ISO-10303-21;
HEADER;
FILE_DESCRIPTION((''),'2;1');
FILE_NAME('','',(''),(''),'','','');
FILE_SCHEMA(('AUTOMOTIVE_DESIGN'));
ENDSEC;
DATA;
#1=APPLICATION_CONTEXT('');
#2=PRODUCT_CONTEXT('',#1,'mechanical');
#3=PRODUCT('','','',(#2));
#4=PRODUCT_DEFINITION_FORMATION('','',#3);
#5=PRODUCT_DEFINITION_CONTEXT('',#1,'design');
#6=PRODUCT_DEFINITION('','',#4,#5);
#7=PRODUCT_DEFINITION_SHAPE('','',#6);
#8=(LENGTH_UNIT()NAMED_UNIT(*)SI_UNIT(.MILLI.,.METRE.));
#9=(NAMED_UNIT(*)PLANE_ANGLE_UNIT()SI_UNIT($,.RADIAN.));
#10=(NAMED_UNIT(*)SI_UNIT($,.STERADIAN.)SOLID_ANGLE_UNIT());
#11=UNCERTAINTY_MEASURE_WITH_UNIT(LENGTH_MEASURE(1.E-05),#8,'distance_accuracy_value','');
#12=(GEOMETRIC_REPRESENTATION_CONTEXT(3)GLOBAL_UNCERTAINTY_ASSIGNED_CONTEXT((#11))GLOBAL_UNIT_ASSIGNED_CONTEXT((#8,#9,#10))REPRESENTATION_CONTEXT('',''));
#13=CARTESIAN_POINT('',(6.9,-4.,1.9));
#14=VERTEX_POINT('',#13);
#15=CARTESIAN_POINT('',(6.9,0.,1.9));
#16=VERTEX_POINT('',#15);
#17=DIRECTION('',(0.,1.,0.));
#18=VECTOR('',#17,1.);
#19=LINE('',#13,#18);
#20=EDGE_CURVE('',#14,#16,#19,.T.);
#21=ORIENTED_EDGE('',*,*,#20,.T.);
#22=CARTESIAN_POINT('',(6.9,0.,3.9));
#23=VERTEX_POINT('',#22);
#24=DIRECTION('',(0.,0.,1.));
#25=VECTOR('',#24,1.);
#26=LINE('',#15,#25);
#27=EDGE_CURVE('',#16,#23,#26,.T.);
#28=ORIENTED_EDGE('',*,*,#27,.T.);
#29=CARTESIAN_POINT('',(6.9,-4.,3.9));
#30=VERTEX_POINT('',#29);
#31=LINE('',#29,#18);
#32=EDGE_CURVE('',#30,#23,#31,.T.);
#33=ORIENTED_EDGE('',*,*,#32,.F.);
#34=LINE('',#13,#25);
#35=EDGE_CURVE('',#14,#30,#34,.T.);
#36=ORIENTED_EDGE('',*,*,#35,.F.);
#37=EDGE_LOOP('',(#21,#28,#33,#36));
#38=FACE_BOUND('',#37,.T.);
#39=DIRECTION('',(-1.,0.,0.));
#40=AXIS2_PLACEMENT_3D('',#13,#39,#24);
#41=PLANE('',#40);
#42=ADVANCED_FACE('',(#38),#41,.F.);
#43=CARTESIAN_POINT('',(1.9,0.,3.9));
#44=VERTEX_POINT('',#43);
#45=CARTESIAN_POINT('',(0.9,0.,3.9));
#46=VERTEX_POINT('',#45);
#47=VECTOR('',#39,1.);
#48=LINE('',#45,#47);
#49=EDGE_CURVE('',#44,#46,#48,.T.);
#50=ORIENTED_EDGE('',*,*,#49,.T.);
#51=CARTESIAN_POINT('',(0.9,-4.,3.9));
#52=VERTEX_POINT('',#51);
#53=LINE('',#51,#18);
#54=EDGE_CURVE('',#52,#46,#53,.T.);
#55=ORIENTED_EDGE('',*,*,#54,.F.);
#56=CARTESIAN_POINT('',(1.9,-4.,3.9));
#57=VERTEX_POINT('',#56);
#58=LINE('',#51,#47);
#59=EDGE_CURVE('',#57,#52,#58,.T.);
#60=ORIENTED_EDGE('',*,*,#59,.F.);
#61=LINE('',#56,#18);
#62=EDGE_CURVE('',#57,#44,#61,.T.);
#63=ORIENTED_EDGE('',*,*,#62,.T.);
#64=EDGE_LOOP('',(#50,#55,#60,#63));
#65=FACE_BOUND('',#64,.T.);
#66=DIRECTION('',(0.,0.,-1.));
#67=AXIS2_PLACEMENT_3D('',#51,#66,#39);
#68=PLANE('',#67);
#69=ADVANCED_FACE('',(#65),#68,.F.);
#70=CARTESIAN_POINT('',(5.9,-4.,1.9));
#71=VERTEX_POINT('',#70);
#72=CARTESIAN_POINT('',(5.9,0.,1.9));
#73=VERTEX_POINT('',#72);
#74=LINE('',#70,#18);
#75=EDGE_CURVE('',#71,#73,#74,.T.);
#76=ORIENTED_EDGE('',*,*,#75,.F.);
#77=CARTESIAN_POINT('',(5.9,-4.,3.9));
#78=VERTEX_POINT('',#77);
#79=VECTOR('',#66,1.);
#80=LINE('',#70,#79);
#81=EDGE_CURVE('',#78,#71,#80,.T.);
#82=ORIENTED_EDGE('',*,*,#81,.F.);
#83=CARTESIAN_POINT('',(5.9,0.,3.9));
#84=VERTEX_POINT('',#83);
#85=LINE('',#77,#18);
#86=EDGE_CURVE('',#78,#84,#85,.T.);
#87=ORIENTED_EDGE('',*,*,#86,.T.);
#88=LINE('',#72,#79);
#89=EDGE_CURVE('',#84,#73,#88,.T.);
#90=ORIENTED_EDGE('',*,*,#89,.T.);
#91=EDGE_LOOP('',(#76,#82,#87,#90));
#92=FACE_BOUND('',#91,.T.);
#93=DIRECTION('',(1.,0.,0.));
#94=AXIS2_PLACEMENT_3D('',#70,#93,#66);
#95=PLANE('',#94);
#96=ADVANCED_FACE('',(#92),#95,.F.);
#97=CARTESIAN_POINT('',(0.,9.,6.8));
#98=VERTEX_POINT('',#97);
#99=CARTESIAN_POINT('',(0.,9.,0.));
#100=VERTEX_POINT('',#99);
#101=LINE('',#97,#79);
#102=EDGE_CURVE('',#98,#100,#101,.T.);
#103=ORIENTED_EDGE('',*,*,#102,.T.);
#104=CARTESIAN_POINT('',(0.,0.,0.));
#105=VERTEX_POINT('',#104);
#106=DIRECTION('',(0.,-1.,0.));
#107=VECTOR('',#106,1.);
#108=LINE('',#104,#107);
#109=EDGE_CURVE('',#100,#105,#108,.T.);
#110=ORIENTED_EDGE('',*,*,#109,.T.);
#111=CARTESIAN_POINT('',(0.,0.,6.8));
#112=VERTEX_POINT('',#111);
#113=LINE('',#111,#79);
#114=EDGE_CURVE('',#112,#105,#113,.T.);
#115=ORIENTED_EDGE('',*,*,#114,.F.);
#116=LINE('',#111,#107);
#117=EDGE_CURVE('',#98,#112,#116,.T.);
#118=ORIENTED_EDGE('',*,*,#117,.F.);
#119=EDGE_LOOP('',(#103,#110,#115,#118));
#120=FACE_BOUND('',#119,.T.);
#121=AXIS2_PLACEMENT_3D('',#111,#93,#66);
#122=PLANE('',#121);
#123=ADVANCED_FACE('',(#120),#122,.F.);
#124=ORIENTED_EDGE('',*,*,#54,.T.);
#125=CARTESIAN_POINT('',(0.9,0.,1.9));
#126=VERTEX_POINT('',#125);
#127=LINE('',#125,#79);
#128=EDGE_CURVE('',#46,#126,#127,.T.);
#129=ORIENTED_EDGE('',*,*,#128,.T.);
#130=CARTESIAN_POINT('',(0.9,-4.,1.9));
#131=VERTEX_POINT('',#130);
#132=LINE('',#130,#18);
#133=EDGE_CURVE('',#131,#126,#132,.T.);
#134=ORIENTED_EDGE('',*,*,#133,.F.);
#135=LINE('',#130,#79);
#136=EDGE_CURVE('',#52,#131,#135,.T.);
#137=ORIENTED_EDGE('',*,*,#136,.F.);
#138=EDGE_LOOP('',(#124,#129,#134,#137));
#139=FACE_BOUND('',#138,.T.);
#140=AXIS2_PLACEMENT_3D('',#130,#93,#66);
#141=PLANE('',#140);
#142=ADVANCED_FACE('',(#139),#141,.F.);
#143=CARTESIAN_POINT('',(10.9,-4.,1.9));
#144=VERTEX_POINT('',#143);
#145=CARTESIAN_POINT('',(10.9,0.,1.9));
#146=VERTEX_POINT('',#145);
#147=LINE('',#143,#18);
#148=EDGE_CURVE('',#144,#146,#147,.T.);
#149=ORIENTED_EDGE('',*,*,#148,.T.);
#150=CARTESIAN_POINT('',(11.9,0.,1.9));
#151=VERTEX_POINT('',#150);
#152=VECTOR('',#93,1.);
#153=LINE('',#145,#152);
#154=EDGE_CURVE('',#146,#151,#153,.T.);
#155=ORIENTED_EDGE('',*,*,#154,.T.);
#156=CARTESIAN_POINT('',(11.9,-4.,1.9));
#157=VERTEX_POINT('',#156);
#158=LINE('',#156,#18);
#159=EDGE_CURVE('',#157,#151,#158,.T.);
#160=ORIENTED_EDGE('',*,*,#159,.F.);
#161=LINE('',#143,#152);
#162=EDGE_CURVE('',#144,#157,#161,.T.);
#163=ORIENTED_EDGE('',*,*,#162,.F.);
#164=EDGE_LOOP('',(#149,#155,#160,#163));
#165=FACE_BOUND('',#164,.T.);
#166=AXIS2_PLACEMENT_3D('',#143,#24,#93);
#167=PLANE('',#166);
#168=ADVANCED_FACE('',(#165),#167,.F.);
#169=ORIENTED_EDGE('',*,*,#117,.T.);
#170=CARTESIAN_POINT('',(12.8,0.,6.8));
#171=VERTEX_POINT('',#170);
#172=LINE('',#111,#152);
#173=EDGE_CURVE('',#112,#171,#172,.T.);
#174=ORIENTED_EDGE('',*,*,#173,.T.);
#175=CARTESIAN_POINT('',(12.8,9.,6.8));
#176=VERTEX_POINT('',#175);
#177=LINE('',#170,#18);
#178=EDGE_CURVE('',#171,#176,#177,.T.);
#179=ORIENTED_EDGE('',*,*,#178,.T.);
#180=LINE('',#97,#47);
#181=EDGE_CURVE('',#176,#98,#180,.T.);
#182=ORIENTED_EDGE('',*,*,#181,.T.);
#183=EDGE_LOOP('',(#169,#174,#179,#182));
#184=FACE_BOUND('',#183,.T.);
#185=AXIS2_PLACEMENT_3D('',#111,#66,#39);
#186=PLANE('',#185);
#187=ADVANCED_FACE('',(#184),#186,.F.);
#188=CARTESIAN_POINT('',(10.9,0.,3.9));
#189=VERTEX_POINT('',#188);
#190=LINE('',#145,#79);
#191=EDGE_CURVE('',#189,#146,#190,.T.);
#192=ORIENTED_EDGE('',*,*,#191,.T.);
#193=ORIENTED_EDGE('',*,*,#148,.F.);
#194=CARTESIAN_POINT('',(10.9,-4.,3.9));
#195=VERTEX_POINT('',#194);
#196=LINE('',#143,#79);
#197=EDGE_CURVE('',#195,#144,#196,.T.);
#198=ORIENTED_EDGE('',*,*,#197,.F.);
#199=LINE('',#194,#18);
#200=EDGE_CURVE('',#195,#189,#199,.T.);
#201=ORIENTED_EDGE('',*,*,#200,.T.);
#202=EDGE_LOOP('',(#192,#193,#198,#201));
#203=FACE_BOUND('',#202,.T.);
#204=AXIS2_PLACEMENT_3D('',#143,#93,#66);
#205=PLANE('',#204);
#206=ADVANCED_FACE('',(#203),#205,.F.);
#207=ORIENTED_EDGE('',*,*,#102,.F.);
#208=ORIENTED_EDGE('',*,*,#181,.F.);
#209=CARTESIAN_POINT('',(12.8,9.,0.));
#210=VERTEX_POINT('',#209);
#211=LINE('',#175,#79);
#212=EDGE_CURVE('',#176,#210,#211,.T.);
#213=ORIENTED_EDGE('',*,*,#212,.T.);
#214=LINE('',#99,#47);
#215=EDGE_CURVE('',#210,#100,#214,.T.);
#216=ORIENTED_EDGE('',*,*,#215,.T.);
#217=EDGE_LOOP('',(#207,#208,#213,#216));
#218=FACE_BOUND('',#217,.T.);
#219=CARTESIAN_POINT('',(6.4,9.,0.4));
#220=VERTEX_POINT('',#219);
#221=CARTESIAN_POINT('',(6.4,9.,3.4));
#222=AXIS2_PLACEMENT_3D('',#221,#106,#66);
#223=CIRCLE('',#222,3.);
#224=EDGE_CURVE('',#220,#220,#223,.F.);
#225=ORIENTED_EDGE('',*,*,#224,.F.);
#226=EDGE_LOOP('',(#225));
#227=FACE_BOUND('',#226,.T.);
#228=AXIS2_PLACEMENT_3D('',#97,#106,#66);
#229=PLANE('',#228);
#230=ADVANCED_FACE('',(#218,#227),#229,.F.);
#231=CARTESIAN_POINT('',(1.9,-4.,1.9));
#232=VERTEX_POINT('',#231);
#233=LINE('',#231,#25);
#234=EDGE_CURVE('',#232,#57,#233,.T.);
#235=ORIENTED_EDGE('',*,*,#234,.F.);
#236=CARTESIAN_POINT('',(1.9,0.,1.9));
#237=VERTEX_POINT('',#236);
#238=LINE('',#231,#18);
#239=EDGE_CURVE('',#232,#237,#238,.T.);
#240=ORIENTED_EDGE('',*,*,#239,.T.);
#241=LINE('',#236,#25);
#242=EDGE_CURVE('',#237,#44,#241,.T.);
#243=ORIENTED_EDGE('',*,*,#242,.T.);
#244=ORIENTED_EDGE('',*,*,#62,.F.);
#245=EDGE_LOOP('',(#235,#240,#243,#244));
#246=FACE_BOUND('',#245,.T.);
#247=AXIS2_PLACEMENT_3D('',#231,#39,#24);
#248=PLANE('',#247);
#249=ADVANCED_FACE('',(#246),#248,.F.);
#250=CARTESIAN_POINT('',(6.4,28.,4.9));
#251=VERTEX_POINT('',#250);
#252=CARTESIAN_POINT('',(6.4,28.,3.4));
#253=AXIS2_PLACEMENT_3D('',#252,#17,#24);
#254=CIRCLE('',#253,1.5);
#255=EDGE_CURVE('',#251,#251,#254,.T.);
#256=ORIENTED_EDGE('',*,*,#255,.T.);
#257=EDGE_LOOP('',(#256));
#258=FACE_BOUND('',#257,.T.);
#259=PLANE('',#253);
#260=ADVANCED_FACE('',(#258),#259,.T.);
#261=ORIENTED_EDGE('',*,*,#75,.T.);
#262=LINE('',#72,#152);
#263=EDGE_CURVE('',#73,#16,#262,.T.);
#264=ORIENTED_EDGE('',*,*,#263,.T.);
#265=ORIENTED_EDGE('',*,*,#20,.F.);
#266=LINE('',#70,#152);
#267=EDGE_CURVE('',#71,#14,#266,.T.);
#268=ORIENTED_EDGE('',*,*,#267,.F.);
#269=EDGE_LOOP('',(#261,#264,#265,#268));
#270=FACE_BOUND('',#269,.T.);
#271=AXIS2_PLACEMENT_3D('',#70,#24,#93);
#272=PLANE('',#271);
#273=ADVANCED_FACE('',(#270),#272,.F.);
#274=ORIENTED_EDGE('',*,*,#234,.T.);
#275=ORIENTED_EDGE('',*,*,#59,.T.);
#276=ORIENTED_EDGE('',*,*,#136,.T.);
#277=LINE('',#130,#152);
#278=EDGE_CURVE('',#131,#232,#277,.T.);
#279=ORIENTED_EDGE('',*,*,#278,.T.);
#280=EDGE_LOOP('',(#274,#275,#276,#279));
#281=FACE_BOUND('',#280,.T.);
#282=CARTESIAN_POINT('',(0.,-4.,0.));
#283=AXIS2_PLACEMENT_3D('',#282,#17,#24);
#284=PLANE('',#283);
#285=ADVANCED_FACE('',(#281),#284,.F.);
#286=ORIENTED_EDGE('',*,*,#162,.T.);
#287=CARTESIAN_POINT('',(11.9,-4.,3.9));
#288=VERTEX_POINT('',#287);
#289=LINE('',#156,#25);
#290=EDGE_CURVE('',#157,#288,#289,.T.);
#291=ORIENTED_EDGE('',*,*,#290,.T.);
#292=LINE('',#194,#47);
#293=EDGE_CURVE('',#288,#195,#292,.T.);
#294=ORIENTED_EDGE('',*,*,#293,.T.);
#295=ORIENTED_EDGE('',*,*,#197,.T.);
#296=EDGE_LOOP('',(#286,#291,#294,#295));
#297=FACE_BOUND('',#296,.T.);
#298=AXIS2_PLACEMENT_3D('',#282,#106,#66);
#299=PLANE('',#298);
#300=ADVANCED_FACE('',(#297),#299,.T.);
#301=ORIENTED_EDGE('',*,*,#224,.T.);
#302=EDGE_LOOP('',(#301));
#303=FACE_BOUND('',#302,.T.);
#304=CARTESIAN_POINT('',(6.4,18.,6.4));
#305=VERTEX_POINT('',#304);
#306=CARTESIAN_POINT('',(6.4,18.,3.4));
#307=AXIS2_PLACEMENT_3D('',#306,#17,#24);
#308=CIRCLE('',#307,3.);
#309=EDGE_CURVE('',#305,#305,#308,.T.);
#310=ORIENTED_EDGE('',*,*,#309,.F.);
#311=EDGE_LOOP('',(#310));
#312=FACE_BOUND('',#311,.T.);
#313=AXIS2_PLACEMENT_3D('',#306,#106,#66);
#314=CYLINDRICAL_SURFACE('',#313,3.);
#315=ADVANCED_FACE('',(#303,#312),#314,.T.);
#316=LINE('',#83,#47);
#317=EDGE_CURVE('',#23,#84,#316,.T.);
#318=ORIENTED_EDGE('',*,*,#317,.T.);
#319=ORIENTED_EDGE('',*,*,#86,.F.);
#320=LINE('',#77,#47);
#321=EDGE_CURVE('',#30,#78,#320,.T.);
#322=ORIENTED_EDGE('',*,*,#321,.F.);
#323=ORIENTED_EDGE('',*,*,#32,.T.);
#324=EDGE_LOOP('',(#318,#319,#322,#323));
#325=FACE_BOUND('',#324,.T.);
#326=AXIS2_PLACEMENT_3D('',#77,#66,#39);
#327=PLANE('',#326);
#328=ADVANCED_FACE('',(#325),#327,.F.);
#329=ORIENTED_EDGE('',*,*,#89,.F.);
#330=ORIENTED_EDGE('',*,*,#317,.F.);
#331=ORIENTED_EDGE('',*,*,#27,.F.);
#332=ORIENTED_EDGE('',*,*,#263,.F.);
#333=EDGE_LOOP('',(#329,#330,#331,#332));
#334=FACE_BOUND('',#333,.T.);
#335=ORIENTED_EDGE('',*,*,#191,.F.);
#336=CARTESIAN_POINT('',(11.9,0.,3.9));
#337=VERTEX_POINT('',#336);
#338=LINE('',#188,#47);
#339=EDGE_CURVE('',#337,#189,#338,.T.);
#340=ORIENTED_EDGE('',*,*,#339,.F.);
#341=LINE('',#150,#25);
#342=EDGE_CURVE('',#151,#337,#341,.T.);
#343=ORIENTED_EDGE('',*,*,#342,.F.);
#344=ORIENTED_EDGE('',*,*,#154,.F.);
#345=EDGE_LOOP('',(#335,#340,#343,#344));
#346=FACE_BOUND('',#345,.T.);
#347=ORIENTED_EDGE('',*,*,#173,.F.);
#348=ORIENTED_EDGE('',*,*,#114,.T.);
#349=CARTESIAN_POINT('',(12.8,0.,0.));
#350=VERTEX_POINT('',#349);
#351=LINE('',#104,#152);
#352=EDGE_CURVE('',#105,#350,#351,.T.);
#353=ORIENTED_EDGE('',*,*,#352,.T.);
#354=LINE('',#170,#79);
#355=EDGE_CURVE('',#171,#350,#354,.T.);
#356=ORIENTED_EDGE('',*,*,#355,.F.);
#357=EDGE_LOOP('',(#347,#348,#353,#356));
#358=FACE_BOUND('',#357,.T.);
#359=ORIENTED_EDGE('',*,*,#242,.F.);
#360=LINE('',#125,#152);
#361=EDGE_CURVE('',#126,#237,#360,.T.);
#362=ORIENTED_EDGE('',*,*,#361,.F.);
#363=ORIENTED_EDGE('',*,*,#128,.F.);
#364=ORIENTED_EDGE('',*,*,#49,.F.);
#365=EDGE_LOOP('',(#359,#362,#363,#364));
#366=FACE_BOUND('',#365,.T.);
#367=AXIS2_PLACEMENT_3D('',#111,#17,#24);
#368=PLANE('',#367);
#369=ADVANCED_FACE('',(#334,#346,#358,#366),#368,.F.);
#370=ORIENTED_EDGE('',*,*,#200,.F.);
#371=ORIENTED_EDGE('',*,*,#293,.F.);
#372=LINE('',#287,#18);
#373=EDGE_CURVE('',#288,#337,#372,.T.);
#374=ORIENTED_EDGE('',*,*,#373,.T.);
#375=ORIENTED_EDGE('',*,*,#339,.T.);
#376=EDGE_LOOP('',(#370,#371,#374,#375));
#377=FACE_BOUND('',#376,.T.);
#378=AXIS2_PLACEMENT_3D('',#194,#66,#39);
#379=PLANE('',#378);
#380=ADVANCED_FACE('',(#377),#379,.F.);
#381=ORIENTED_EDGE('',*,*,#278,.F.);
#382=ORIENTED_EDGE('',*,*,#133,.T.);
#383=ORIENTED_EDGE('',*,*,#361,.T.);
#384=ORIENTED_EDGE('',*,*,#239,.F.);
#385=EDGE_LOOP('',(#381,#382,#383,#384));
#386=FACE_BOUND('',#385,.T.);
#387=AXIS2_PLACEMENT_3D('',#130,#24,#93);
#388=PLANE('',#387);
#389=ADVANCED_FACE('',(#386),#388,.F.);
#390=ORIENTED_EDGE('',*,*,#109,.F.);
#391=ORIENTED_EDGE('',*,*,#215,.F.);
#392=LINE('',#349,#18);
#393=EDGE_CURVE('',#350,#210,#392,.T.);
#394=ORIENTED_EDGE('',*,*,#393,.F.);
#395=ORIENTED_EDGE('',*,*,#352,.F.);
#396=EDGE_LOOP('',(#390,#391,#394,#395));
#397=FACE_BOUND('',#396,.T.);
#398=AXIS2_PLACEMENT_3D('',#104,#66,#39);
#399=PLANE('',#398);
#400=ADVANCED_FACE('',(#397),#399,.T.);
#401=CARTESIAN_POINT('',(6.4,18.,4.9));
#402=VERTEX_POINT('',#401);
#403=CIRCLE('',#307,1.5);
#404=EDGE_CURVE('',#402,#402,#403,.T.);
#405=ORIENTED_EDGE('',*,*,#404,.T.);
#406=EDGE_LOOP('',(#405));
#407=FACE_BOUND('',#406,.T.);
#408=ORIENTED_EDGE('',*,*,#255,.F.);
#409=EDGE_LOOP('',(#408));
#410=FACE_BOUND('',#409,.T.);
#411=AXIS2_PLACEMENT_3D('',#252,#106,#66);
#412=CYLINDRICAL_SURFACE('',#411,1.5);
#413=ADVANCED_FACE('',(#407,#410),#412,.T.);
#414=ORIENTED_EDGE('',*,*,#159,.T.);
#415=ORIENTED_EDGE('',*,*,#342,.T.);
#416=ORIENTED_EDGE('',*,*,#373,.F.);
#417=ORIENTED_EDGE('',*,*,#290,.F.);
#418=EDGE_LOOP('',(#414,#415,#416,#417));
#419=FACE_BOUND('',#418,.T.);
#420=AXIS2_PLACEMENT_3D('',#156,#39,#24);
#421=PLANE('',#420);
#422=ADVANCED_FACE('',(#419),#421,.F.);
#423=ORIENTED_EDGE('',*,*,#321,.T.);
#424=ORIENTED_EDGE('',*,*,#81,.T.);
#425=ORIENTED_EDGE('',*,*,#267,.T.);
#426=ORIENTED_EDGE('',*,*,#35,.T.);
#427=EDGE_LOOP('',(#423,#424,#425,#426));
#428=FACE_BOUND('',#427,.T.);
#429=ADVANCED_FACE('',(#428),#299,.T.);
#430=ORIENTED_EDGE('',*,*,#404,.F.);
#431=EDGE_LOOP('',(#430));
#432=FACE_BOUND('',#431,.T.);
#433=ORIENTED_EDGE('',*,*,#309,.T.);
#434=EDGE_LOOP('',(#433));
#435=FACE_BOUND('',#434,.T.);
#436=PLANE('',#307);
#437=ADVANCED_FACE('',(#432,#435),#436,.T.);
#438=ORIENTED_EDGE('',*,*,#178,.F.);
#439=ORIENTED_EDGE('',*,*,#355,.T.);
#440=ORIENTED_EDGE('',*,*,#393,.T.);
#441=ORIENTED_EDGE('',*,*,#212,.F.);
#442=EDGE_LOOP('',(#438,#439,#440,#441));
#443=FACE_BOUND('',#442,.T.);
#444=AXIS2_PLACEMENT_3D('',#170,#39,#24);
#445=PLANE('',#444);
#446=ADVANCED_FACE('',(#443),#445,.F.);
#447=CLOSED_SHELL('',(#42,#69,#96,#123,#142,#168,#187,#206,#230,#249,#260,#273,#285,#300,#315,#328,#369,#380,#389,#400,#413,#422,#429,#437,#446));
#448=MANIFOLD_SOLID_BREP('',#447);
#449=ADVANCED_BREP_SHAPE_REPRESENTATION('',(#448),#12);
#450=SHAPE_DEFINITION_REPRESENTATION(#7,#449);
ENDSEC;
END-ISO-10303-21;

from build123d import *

# Parameters (mm, degrees)
ESQUISSE1_W        = 12.8
ESQUISSE1_H        = 9
BOSS_EXTRU_1_DEPTH = 6.8
ESQUISSE2_W        = 1
ESQUISSE2_H        = 2
BOSS_EXTRU_2_DEPTH = 4
ESQUISSE3_R        = 3
BOSS_EXTRU_3_DEPTH = 9
ESQUISSE4_R        = 1.5
BOSS_EXTRU_4_DEPTH = 10


with BuildPart() as part:
    # Esquisse1 → Boss.-Extru.1 (new body)
    with BuildSketch(Plane.XY):
        with Locations((6.4, 4.5)):
            Rectangle(ESQUISSE1_W, ESQUISSE1_H)
    extrude(amount=BOSS_EXTRU_1_DEPTH)

    # Esquisse2 → Boss.-Extru.2 (add)
    with BuildSketch(Plane.XZ):
        with Locations((1.4, 2.9)):
            Rectangle(ESQUISSE2_W, ESQUISSE2_H)
        with Locations((6.4, 2.9)):
            Rectangle(ESQUISSE2_W, ESQUISSE2_H)
        with Locations((11.4, 2.9)):
            Rectangle(ESQUISSE2_W, ESQUISSE2_H)
    extrude(amount=BOSS_EXTRU_2_DEPTH)

    # Esquisse3 → Boss.-Extru.3 (add)
    with BuildSketch(Plane(origin=(0, 9, 0), x_dir=(1, 0, 0), z_dir=(0, 1, 0))):
        with Locations((6.4, -3.4)):
            Circle(ESQUISSE3_R)
    extrude(amount=BOSS_EXTRU_3_DEPTH)

    # Esquisse4 → Boss.-Extru.4 (add)
    with BuildSketch(Plane(origin=(0, 18, 0), x_dir=(1, 0, 0), z_dir=(0, 1, 0))):
        with Locations((6.4, -3.4)):
            Circle(ESQUISSE4_R)
    extrude(amount=BOSS_EXTRU_4_DEPTH)


solid = part.part
